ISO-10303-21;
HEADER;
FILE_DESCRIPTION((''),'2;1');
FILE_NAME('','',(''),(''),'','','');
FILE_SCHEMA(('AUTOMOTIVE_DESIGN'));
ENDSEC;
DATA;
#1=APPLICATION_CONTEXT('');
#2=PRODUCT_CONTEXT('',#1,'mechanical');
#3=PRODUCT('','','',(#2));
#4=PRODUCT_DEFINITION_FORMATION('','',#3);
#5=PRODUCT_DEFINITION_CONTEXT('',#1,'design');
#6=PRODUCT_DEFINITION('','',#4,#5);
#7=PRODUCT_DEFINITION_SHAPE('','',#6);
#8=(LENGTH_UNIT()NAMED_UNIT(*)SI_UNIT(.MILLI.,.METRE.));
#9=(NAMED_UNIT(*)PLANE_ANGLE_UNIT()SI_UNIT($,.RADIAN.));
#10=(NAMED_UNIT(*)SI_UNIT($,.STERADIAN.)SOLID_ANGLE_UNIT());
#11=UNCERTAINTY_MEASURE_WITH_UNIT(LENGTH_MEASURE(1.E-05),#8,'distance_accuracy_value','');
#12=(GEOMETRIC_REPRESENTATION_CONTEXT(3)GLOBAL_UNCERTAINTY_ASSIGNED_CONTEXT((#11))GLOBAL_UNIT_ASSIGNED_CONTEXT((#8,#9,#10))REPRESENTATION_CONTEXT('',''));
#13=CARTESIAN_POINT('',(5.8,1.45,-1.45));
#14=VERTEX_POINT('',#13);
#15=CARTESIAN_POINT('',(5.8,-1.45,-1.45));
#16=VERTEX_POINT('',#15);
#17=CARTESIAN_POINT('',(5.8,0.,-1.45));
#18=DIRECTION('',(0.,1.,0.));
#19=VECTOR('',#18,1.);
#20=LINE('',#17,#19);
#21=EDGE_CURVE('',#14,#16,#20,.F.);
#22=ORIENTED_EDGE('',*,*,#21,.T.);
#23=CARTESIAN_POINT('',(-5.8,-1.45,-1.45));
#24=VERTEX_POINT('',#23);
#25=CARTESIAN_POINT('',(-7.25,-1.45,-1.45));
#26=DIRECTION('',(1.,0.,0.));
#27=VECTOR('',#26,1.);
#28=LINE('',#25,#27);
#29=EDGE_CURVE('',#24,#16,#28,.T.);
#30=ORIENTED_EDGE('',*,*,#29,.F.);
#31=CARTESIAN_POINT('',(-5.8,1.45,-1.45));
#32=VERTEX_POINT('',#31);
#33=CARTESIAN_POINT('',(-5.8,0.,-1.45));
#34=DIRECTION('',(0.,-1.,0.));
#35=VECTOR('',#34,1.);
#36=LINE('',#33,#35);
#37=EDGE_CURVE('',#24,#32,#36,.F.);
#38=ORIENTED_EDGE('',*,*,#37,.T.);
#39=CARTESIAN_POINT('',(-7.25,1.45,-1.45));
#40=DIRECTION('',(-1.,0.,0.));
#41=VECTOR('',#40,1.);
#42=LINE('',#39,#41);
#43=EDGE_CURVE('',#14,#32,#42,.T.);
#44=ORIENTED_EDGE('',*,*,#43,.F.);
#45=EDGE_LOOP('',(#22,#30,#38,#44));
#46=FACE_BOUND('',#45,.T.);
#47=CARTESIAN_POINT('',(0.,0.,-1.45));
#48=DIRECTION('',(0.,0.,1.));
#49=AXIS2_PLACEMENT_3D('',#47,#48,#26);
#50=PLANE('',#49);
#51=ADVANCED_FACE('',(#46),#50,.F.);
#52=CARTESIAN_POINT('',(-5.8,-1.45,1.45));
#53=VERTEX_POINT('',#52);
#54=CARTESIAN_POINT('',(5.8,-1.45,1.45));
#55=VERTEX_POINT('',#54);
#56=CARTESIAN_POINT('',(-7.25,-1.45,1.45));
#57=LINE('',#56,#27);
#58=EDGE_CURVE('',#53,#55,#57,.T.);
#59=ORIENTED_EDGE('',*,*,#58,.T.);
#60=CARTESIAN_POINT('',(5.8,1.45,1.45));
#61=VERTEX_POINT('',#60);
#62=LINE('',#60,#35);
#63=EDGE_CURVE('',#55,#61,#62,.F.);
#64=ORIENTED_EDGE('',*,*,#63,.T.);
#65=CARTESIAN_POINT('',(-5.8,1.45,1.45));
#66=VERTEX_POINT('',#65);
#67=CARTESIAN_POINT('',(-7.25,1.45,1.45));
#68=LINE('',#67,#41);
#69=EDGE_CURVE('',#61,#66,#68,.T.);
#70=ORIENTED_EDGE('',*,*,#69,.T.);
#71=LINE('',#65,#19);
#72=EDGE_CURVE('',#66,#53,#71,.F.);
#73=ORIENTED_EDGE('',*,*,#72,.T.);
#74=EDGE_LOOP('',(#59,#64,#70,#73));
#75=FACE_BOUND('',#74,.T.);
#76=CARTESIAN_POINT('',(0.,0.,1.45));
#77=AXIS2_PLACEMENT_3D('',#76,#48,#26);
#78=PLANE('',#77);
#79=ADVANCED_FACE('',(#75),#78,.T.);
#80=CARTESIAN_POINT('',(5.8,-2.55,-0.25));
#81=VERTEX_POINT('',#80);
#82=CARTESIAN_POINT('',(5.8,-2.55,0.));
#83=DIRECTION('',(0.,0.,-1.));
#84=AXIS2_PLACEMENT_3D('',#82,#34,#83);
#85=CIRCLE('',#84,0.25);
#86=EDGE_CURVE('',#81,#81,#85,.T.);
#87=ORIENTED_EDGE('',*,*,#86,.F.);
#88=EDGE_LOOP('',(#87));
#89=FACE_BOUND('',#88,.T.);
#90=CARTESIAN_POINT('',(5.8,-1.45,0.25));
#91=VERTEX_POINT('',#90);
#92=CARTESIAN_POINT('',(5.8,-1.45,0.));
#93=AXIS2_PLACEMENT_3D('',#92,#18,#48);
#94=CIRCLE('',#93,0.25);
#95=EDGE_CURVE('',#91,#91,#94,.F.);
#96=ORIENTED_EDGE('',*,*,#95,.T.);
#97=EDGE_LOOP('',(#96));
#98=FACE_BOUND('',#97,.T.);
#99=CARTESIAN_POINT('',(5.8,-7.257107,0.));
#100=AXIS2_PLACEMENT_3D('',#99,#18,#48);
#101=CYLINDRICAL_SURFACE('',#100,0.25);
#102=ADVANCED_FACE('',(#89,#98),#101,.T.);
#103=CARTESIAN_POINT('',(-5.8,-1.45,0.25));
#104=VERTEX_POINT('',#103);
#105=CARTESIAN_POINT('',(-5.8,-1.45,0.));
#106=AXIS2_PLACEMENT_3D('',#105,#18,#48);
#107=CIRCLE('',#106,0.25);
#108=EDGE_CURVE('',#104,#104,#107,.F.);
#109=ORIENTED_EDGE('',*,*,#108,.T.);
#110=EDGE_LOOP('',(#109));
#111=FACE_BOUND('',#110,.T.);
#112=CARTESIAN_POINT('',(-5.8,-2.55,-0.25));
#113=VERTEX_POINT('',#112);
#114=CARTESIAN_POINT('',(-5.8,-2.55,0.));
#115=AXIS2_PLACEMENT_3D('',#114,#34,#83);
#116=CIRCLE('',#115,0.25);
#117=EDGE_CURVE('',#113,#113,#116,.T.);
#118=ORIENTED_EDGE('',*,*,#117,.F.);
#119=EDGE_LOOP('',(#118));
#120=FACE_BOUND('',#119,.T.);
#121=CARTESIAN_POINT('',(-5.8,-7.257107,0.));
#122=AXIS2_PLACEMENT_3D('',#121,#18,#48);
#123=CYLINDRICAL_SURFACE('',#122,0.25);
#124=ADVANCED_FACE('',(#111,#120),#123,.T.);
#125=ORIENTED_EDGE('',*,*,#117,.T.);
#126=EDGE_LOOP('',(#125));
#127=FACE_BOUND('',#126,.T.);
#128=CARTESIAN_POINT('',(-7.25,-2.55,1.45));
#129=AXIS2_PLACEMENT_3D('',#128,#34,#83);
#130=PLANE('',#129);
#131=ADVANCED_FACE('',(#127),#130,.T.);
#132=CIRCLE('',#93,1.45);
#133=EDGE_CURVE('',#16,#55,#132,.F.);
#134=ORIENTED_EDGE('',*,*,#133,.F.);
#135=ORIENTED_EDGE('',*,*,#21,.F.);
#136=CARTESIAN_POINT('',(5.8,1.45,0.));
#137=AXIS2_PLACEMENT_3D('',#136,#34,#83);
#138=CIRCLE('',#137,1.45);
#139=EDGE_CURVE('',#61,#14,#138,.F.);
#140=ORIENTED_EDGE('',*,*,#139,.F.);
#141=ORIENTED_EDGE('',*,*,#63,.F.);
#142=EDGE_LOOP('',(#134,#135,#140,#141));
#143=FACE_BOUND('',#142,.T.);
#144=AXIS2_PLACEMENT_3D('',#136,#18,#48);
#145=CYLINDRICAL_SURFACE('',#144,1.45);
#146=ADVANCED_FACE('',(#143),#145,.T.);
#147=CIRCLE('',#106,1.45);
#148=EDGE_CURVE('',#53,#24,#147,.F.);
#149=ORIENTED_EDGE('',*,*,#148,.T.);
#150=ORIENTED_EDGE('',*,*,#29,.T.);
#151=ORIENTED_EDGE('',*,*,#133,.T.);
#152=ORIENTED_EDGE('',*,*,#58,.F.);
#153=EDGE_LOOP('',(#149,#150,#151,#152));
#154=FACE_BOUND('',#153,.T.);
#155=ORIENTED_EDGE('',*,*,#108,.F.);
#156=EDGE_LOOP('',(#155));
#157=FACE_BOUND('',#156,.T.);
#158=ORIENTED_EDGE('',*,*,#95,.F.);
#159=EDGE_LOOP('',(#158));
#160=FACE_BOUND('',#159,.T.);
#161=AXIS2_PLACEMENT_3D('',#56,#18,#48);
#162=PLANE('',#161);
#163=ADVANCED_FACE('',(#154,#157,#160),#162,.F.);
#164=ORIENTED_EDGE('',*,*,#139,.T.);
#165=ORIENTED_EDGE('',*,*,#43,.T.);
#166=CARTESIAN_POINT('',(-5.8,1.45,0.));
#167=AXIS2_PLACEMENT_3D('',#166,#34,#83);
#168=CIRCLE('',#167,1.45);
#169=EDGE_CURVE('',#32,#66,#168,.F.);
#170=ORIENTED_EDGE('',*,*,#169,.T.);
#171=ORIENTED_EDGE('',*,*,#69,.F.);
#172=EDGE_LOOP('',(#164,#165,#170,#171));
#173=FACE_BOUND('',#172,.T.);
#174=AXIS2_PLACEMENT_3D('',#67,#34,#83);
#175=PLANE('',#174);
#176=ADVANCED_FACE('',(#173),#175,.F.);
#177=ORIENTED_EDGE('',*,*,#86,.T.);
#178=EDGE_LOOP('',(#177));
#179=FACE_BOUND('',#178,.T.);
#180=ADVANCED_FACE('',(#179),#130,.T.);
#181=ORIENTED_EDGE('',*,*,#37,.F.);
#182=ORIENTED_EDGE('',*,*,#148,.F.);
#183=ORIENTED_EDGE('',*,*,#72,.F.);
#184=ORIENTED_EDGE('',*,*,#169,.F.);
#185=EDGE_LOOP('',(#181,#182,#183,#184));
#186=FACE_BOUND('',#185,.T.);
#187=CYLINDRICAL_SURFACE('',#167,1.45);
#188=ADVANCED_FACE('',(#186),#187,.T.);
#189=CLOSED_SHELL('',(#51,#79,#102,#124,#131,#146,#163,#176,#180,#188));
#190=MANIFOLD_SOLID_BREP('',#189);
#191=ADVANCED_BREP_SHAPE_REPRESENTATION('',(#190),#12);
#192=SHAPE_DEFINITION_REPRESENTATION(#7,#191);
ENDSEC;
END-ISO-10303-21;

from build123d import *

# Parameters (mm, degrees)
SKIZZE1_W                       = 14.5
SKIZZE1_H                       = 2.9
AUFSATZ_LINEAR_AUSTRAGEN1_DEPTH = 1.45
VERRUNDUNG1_RADIUS              = 1.45
VERRUNDUNG1_LENGTH              = 2.9
VERRUNDUNG2_RADIUS              = 1.45
VERRUNDUNG2_LENGTH              = 2.9
SKIZZE2_R                       = 0.25
AUFSATZ_LINEAR_AUSTRAGEN2_DEPTH = 1.1


with BuildPart() as part:
    # Skizze1 → Aufsatz-Linear austragen1 (new, symmetric)
    with BuildSketch(Plane.XY):
        Rectangle(SKIZZE1_W, SKIZZE1_H)
    extrude(amount=AUFSATZ_LINEAR_AUSTRAGEN1_DEPTH, both=True)

    # Verrundung1: full round fillet: the end face becomes a half cylinder, R = half its width
    verrundung1_face = Plane((7.25, 0, 0), x_dir=(0, -1, 0), z_dir=(1, 0, 0))  # on the end face: x along it, z out of the body
    verrundung1_slab = verrundung1_face.offset(-VERRUNDUNG1_RADIUS / 2) * Box(VERRUNDUNG1_LENGTH, 2 * VERRUNDUNG1_RADIUS, VERRUNDUNG1_RADIUS, mode=Mode.PRIVATE)  # the body's end, R deep
    verrundung1_round = Plane((5.8, 0, 0), x_dir=(1, 0, 0), z_dir=(0, -1, 0)) * Cylinder(VERRUNDUNG1_RADIUS, VERRUNDUNG1_LENGTH, mode=Mode.PRIVATE)  # its axis R under the face
    add(verrundung1_slab - verrundung1_round, mode=Mode.SUBTRACT)

    # Verrundung2: full round fillet: the end face becomes a half cylinder, R = half its width
    verrundung2_face = Plane((-7.25, 0, 0), x_dir=(0, 1, 0), z_dir=(-1, 0, 0))  # on the end face: x along it, z out of the body
    verrundung2_slab = verrundung2_face.offset(-VERRUNDUNG2_RADIUS / 2) * Box(VERRUNDUNG2_LENGTH, 2 * VERRUNDUNG2_RADIUS, VERRUNDUNG2_RADIUS, mode=Mode.PRIVATE)  # the body's end, R deep
    verrundung2_round = Plane((-5.8, 0, 0), x_dir=(-1, 0, 0), z_dir=(0, 1, 0)) * Cylinder(VERRUNDUNG2_RADIUS, VERRUNDUNG2_LENGTH, mode=Mode.PRIVATE)  # its axis R under the face
    add(verrundung2_slab - verrundung2_round, mode=Mode.SUBTRACT)

    # Skizze2 → Aufsatz-Linear austragen2 (add)
    with BuildSketch(Plane.XZ.offset(1.45)):
        with Locations(Location((-5.8, 0, 0), (0, 0, 90))):
            Circle(SKIZZE2_R)
        with Locations(Location((5.8, 0, 0), (0, 0, 90))):
            Circle(SKIZZE2_R)
    extrude(amount=AUFSATZ_LINEAR_AUSTRAGEN2_DEPTH)


solid = part.part
